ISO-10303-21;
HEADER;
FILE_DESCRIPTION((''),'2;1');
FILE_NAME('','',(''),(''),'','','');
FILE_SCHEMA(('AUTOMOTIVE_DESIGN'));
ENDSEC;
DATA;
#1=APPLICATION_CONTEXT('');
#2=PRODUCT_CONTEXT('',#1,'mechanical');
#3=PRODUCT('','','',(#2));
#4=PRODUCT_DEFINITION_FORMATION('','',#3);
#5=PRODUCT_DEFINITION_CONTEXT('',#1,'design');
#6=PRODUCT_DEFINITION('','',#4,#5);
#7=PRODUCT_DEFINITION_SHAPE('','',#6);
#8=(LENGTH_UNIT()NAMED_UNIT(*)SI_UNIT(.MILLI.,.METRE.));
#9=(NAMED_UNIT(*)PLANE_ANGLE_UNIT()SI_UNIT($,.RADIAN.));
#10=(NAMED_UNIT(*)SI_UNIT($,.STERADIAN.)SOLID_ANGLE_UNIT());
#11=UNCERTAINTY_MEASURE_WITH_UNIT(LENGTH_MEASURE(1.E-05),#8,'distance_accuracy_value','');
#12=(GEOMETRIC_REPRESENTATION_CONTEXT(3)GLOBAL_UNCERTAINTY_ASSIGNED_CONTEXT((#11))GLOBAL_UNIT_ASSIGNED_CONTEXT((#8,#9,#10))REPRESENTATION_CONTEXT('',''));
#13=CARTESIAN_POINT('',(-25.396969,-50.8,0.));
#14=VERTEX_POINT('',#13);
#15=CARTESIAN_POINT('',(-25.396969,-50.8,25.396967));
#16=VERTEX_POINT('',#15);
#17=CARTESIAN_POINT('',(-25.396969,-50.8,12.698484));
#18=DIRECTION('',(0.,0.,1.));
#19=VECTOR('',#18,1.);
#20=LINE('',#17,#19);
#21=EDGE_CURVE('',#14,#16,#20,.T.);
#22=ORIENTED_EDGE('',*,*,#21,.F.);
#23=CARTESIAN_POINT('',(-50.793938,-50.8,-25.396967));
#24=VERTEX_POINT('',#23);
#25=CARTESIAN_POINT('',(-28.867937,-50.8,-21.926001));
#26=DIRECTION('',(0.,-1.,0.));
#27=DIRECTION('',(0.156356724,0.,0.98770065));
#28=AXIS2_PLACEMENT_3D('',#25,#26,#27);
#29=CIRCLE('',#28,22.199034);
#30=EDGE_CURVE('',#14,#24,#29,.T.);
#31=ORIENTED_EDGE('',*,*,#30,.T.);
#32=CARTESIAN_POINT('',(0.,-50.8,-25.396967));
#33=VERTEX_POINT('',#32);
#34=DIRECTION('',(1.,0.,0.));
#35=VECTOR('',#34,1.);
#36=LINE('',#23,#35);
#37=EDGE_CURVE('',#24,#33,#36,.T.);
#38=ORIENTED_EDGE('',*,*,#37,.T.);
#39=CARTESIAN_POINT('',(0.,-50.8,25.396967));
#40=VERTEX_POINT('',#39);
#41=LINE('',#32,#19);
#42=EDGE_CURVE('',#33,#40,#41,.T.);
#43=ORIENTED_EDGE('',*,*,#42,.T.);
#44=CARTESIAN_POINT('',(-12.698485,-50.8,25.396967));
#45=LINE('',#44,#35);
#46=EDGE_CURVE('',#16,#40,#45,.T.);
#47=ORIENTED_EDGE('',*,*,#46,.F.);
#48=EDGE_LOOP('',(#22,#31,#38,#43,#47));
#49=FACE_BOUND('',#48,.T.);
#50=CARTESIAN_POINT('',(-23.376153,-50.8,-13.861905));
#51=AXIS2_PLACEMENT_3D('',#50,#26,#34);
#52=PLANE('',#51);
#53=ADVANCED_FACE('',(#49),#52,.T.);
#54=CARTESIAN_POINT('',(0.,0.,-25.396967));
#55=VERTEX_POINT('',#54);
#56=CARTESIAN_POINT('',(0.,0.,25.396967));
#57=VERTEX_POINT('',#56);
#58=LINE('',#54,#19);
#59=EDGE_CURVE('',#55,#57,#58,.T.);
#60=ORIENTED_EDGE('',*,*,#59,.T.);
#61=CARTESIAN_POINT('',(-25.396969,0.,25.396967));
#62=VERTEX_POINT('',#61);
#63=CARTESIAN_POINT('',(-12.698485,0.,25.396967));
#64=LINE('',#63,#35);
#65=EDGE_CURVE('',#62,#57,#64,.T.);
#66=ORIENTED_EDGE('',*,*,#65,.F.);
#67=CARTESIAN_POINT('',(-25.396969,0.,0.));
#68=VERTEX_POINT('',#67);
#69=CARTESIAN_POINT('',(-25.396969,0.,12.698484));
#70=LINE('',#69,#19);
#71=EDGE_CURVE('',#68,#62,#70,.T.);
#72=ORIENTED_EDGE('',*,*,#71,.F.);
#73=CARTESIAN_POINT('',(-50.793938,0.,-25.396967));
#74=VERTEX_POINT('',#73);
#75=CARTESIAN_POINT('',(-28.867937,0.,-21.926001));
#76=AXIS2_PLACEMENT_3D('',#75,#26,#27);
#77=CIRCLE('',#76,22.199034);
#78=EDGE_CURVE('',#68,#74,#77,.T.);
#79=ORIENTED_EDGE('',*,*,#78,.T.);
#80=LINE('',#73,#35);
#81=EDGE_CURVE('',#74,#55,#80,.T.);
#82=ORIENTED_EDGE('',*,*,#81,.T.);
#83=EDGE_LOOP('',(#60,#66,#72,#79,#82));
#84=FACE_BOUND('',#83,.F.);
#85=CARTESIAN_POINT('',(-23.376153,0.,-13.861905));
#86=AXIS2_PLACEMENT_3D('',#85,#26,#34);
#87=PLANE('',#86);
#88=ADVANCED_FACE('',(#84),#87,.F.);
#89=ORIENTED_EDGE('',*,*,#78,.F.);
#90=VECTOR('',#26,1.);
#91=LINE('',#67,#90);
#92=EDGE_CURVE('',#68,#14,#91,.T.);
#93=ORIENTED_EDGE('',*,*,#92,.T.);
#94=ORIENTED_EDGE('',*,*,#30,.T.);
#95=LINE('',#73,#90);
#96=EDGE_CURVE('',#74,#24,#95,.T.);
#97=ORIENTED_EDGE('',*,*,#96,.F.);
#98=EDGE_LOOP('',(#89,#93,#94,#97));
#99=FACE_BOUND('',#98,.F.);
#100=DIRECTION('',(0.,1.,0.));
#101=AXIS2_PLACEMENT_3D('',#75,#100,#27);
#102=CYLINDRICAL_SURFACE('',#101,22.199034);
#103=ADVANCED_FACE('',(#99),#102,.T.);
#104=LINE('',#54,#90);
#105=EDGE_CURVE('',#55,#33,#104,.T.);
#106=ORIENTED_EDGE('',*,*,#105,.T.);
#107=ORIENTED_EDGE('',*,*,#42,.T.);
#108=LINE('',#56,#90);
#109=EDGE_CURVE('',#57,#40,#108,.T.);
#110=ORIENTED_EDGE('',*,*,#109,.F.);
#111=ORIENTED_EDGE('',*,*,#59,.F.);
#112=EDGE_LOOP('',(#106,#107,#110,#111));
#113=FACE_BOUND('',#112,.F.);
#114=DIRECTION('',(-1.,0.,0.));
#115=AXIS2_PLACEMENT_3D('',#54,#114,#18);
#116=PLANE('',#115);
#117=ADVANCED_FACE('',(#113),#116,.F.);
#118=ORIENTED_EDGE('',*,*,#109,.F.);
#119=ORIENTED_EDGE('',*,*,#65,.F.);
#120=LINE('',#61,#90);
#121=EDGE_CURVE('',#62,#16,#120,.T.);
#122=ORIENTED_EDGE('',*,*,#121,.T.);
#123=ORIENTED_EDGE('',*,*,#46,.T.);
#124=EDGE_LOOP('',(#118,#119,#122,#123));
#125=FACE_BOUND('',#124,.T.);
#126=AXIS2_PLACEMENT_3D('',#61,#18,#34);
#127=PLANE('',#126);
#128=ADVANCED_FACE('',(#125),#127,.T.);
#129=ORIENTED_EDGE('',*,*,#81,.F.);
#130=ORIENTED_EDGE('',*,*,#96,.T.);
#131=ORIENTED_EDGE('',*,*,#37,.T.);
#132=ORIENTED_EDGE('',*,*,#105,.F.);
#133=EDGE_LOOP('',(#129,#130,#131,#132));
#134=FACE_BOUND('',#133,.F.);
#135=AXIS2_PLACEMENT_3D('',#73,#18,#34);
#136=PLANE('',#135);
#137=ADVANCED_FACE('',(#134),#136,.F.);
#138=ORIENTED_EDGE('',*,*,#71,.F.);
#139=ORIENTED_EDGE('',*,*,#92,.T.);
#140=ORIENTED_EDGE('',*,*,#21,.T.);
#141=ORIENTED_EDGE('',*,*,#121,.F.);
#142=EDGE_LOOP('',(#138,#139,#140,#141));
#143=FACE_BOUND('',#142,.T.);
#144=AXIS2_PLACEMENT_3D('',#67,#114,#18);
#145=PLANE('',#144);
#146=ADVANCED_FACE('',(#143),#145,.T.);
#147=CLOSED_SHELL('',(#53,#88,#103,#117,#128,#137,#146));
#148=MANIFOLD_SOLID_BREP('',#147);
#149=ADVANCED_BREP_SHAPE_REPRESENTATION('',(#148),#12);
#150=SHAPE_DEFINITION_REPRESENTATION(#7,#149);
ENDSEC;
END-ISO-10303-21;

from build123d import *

# Parameters (mm, degrees)
F0_W     = 25.3969691694
F0_H     = 25.3969673067
F1_DEPTH = 50.8


with BuildPart() as f1:
    # F0 (on Front) → F1 (new body)
    with BuildSketch(Plane.XZ):
        with BuildLine():
            Line((0, -25.3969673067), (0, 0))
            Line((0, 0), (-25.3969691694, 0))
            ThreePointArc((-25.3969691694, 0), (-44.5650245733, -6.2289123596), (-50.7939383388, -25.3969673067))
            Line((-50.7939383388, -25.3969673067), (0, -25.3969673067))
        make_face()
        with Locations((-12.6984845847, 12.6984836534)):
            Rectangle(F0_W, F0_H)
    extrude(amount=F1_DEPTH)


solid = f1.part
